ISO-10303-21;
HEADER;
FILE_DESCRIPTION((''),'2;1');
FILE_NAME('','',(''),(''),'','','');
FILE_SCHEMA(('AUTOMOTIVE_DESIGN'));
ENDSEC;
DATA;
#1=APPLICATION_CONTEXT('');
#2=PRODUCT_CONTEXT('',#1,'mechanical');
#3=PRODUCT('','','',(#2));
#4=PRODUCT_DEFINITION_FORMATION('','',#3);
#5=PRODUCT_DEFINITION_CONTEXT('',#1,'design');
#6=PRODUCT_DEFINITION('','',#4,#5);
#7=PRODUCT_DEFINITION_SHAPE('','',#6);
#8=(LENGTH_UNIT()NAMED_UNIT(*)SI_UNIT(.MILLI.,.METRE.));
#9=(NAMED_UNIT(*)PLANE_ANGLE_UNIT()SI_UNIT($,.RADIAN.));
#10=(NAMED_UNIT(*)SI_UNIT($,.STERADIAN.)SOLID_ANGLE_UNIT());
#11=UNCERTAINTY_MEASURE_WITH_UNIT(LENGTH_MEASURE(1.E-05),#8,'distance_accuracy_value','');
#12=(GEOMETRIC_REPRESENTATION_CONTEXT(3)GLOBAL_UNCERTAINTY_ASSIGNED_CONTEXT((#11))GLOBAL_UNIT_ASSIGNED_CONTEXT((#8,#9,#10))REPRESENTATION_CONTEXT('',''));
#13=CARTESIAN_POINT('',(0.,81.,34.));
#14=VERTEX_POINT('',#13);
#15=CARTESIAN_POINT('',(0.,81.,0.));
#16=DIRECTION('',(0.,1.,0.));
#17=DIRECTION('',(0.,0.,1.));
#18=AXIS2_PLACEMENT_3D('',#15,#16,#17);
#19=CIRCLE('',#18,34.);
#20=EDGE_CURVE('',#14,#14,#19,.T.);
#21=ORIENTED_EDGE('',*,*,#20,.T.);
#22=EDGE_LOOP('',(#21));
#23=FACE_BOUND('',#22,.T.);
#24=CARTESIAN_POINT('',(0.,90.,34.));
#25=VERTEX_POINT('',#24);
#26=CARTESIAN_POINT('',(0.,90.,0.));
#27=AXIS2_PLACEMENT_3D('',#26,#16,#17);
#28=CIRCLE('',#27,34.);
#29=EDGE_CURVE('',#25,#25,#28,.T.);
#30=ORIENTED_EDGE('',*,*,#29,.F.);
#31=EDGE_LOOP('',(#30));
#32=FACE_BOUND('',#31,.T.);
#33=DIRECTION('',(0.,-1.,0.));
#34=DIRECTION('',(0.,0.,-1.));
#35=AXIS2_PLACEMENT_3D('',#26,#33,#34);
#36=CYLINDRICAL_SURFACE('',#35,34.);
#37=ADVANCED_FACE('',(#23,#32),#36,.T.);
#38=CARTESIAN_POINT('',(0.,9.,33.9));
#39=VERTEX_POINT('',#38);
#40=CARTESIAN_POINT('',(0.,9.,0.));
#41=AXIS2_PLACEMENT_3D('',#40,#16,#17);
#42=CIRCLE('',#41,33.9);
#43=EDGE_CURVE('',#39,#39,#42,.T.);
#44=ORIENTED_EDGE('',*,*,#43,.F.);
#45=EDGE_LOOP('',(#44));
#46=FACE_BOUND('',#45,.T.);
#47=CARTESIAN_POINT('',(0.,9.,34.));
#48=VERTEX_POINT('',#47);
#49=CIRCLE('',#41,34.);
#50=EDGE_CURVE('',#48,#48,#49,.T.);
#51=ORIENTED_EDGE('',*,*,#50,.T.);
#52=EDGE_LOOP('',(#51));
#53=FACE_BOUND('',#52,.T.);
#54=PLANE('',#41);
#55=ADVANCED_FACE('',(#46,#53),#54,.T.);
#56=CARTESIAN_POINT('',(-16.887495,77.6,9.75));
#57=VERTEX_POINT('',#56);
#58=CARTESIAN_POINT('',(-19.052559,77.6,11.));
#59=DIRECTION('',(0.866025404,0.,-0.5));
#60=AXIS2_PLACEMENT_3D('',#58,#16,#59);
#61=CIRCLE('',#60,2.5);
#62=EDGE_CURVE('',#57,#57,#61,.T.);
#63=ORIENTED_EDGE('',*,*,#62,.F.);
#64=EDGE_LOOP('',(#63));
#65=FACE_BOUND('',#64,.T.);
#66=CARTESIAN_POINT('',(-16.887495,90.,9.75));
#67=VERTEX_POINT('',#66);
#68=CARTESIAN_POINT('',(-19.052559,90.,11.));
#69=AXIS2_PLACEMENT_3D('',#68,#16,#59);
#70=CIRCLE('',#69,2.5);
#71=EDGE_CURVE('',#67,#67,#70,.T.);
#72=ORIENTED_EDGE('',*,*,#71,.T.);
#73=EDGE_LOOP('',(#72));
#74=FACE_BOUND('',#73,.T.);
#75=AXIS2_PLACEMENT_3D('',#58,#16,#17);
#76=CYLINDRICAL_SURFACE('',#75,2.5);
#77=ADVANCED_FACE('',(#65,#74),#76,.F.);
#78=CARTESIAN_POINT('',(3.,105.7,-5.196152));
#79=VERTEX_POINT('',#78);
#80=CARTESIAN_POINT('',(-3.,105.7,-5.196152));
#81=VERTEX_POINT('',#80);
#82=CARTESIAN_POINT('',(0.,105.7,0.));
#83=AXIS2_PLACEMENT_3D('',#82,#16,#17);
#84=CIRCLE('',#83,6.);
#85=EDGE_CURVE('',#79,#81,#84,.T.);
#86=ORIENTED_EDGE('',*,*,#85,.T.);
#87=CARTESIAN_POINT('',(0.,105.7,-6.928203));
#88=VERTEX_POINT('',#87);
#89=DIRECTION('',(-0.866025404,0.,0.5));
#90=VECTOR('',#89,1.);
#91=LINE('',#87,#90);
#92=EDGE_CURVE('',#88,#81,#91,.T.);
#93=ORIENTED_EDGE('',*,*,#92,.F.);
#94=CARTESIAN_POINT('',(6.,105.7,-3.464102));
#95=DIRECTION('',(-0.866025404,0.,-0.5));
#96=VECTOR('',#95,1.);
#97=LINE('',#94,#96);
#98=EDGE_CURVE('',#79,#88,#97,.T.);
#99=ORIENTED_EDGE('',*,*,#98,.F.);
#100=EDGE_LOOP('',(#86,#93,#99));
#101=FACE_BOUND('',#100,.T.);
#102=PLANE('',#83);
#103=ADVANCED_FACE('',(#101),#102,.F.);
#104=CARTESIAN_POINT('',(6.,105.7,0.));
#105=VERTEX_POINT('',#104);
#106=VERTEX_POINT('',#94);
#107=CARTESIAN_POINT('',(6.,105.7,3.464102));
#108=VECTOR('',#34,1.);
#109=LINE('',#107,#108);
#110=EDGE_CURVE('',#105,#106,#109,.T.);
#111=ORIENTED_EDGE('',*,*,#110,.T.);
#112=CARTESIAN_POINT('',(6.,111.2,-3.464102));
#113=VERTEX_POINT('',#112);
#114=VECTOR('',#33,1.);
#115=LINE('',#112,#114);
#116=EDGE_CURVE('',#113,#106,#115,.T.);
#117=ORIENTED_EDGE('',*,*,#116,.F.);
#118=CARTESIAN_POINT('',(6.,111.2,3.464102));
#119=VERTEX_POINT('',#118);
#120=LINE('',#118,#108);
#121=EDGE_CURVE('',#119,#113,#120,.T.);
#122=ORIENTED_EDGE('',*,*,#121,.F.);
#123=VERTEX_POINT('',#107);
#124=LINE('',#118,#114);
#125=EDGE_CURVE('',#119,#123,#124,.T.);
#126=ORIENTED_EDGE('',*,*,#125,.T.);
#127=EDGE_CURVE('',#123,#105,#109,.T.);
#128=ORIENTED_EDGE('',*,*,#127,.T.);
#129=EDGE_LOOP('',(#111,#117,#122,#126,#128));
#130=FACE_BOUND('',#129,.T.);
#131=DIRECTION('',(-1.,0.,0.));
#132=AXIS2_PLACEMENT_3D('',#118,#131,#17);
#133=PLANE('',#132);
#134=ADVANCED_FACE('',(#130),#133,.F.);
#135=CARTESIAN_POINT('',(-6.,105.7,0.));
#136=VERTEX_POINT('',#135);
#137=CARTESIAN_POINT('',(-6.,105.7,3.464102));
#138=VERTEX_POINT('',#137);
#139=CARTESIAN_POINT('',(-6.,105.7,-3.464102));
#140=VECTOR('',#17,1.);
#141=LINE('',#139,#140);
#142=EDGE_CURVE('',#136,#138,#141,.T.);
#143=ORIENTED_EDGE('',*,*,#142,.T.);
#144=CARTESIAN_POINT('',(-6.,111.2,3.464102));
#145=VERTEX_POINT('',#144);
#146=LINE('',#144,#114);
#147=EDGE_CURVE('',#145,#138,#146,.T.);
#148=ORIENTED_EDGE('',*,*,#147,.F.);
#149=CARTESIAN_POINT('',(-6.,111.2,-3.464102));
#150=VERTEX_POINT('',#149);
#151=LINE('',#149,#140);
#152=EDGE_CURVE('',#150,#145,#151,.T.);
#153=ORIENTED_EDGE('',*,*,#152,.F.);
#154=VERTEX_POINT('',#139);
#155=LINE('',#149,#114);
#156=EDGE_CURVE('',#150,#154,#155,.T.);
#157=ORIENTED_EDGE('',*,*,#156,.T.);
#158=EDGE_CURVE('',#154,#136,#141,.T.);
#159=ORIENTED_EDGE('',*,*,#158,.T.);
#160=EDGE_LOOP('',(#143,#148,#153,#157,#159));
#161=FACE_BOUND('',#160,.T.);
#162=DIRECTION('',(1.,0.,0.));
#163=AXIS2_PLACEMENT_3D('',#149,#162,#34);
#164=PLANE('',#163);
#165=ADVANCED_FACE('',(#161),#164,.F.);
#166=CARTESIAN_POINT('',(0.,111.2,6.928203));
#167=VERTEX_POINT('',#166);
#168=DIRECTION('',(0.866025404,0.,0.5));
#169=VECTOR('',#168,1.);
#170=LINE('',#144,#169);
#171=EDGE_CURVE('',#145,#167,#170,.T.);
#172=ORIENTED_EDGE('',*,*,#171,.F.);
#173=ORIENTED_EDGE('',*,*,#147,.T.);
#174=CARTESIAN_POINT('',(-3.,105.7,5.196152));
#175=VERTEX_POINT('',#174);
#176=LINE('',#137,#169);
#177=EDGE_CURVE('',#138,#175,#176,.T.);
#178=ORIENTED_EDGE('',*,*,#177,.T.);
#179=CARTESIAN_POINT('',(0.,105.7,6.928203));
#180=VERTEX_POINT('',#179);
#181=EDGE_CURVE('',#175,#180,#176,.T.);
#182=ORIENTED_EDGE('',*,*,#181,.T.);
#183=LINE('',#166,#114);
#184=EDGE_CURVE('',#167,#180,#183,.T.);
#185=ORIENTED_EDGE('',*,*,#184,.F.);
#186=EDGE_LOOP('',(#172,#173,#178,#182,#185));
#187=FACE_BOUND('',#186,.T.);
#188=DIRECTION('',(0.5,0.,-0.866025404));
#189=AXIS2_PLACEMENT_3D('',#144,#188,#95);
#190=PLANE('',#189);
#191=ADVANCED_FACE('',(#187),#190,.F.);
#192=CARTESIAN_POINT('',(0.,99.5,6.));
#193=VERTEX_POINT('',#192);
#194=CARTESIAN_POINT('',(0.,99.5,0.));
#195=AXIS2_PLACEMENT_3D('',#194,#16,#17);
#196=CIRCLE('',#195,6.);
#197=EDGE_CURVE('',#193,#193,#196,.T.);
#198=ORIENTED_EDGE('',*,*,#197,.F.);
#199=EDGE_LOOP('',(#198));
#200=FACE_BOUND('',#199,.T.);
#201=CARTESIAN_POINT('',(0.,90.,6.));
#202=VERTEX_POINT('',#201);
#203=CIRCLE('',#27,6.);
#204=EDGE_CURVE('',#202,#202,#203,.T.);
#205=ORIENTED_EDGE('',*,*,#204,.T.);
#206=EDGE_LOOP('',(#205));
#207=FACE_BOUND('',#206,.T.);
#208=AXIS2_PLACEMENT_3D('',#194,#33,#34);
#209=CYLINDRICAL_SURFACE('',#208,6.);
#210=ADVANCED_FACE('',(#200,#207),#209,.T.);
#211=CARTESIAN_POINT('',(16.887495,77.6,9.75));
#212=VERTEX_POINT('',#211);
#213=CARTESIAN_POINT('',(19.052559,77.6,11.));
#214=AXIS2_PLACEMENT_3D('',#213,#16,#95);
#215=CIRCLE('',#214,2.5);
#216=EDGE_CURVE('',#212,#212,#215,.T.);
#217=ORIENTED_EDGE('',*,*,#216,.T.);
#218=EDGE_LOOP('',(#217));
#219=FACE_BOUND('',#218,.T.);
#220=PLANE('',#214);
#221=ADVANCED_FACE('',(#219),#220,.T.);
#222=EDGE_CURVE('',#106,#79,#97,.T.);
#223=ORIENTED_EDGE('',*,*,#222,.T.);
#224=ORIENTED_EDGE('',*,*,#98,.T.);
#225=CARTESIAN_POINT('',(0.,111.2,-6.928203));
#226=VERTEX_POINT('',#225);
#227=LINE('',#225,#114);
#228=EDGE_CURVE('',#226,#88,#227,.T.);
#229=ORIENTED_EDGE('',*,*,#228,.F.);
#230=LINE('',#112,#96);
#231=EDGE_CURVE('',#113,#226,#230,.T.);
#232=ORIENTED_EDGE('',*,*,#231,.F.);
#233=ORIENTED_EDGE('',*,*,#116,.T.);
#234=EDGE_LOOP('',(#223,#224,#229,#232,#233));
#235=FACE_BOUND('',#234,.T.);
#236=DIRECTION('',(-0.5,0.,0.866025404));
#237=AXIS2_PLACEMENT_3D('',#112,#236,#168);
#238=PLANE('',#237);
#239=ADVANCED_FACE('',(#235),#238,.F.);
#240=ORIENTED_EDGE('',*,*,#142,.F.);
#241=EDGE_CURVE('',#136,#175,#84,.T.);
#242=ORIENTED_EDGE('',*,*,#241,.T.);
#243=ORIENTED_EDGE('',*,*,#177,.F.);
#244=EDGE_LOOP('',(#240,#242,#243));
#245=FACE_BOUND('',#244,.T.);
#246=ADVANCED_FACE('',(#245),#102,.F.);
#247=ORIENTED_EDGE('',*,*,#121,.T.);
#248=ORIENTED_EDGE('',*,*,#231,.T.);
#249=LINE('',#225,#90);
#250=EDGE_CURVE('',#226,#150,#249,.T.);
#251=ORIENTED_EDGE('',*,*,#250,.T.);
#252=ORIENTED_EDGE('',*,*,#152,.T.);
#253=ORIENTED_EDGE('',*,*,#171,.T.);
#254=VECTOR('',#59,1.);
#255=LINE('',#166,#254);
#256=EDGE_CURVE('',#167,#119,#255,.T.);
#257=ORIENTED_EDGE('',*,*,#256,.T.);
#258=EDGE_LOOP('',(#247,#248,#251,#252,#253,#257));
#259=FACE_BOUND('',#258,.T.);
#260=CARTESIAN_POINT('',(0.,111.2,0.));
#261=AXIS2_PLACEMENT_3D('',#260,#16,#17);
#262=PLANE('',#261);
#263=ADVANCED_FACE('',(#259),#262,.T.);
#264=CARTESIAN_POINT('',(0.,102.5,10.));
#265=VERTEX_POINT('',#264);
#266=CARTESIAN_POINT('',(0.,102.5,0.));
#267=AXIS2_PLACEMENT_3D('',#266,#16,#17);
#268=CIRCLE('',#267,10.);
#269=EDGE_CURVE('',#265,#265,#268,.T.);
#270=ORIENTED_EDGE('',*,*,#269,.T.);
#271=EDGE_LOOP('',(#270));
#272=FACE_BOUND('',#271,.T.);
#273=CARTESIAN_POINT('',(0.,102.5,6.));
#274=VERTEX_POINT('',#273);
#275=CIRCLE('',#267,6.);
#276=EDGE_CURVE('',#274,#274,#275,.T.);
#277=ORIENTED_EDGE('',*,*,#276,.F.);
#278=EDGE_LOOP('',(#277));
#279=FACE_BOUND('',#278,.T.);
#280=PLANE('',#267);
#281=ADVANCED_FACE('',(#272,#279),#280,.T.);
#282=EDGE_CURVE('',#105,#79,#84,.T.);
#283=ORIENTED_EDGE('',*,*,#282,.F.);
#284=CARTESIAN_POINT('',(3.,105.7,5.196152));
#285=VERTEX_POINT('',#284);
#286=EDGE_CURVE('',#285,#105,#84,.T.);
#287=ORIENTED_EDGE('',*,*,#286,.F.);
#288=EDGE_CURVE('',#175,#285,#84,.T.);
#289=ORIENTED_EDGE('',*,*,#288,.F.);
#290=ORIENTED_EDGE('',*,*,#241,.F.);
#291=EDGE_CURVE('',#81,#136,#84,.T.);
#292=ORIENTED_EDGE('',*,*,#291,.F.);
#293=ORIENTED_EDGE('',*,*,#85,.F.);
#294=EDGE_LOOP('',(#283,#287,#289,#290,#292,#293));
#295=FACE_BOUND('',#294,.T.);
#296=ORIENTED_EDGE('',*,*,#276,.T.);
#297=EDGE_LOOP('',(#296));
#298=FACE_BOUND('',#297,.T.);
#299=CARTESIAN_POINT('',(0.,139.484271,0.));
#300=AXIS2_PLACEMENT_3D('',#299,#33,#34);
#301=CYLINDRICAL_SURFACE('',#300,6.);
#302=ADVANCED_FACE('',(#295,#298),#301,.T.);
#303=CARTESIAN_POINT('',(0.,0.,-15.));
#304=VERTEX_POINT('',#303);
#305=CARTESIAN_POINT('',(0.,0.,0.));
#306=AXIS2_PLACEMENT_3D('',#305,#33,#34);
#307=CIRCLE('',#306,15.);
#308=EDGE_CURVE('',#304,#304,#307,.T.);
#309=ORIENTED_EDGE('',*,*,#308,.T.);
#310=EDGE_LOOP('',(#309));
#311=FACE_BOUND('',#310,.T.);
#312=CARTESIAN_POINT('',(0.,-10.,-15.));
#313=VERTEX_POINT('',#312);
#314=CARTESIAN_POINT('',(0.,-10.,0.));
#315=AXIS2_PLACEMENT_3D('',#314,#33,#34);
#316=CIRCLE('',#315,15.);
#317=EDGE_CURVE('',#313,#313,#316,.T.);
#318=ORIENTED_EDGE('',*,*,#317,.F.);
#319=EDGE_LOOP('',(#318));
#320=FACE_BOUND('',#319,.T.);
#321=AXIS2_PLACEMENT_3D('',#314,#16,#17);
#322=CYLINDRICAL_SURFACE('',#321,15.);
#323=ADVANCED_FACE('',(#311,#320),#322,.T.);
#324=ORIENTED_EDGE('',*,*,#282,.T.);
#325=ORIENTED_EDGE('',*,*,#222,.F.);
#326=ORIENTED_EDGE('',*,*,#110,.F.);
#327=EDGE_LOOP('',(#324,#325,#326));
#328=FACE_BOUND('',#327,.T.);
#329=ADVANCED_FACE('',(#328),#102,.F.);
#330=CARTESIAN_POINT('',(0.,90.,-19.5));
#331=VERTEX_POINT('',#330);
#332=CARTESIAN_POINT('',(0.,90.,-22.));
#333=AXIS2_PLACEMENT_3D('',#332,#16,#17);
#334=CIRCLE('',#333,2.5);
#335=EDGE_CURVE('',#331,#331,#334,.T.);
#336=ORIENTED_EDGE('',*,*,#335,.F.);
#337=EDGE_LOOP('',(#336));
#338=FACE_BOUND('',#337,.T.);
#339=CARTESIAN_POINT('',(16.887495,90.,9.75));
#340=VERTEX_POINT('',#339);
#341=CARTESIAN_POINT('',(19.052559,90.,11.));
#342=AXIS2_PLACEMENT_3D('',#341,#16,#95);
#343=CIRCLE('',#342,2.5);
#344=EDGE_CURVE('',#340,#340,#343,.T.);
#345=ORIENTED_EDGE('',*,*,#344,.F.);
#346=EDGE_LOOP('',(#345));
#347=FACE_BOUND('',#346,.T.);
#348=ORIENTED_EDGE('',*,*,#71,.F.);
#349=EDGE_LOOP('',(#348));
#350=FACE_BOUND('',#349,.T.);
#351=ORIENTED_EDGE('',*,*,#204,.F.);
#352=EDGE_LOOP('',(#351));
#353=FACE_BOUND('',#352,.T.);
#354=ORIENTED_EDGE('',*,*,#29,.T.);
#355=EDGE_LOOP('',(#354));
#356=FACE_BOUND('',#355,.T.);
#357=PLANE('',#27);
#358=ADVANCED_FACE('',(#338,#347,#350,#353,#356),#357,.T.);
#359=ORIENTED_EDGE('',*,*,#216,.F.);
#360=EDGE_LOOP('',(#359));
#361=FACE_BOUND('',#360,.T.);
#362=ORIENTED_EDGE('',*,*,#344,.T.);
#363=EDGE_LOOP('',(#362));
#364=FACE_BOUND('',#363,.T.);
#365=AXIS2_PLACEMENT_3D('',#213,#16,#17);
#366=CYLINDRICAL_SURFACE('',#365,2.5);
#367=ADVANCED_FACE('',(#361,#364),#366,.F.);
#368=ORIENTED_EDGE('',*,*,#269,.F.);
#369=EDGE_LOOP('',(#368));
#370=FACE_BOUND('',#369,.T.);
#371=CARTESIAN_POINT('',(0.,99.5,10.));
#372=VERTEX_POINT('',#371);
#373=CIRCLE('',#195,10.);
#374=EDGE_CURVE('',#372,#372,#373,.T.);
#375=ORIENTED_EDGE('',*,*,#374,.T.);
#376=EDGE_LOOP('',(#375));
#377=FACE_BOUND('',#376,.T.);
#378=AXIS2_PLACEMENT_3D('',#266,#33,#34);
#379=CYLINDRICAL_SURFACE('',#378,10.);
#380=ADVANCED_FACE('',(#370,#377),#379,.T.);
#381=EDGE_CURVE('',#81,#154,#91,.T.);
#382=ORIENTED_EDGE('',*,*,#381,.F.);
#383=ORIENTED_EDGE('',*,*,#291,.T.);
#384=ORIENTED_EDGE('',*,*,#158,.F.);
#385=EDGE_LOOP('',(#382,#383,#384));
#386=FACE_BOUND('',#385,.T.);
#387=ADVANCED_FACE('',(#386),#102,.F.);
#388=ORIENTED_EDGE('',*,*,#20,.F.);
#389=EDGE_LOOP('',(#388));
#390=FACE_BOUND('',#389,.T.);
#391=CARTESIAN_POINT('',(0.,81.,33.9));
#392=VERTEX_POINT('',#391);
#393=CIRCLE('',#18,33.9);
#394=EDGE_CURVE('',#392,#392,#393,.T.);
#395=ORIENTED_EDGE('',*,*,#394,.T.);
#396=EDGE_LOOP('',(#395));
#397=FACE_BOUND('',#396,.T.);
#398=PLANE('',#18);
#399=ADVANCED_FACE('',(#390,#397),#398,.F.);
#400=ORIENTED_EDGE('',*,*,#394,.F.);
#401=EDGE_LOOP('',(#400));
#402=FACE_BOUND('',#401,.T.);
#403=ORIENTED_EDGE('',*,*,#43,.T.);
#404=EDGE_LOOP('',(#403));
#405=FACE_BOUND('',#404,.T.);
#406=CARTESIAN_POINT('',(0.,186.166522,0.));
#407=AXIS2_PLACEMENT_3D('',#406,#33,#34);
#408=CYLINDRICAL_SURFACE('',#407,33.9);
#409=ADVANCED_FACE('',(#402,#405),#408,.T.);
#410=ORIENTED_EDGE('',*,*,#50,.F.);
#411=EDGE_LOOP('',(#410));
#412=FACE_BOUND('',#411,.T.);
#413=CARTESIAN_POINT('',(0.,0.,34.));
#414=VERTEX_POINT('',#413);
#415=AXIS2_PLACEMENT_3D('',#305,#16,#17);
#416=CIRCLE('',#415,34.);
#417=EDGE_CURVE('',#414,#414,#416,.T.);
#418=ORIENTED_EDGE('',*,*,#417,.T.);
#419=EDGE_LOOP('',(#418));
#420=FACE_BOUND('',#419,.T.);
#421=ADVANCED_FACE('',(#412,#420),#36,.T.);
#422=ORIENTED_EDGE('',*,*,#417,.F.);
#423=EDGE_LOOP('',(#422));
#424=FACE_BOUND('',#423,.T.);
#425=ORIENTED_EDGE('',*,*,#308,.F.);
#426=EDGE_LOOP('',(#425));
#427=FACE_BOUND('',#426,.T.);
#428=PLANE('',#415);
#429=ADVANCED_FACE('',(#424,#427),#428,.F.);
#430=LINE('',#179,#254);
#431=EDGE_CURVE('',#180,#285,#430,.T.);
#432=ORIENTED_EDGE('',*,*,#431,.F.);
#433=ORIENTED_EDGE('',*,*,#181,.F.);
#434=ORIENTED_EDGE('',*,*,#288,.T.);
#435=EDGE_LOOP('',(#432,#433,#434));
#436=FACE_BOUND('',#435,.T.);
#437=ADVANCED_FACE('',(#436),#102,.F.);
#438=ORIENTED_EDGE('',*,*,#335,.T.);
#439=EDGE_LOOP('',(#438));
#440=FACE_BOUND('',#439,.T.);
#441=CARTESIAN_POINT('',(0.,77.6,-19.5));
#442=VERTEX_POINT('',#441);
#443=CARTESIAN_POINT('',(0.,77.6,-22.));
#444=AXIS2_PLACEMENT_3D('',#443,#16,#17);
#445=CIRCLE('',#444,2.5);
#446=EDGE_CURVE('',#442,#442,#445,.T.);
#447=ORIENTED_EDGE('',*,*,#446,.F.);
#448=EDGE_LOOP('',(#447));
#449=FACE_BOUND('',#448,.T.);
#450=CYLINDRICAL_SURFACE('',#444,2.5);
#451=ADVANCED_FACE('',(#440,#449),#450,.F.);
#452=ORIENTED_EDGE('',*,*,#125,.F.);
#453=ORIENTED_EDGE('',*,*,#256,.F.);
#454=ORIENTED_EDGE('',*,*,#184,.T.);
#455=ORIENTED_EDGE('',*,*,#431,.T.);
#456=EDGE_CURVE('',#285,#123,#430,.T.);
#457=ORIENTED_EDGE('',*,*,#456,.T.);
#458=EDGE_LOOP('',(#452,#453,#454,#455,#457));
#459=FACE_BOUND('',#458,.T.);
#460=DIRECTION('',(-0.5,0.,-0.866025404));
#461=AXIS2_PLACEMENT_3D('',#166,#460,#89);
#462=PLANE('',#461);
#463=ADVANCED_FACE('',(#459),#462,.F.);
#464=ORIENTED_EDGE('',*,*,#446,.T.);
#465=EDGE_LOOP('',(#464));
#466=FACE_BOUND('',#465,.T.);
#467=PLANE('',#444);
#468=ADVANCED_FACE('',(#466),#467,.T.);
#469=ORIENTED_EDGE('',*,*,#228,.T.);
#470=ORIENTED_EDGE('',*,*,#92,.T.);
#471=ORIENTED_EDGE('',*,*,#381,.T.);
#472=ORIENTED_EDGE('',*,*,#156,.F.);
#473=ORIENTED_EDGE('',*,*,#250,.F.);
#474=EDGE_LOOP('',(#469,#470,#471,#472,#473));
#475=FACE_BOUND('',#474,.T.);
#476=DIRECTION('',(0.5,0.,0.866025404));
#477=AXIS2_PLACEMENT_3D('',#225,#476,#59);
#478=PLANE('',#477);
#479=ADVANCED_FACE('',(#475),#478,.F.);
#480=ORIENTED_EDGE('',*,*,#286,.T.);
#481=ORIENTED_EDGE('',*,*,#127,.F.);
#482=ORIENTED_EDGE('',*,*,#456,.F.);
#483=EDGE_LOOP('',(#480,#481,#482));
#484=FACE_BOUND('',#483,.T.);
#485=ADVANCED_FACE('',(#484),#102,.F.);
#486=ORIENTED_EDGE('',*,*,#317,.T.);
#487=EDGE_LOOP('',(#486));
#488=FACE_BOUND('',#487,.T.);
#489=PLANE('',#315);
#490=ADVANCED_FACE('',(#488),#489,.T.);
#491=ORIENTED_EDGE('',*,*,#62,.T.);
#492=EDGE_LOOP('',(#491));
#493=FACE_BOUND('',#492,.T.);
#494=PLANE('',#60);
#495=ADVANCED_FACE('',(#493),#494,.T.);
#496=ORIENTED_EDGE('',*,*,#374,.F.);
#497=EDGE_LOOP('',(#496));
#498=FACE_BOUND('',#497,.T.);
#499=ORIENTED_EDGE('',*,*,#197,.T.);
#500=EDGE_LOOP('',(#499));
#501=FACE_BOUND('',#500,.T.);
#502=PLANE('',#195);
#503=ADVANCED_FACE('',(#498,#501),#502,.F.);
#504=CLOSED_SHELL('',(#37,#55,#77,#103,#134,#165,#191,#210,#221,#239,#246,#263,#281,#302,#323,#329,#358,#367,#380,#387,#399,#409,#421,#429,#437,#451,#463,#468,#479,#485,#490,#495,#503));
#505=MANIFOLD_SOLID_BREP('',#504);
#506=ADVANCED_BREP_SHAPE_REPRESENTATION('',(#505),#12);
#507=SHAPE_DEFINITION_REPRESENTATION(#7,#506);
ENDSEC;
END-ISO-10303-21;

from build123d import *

# Parameters (mm, degrees)
SKETCH1_R                  = 34
MAINHOUSING_DEPTH          = 90
SKETCH2_R                  = 15
REARPART_DEPTH             = 10
SKETCH3_R                  = 6
SHAFT_DEPTH                = 9.5
SKETCH4_R                  = 10
GEAR_DEPTH                 = 3
HEXBOLT_DEPTH              = 8.7
SKETCH6_R                  = 10
SKETCH6_R_2                = 6
HEXBOLTCUTOUT_DEPTH        = 3.2
TOP_BOTTOMSEPERATION_START = 9
SKETCH7_R                  = 34
SKETCH7_R_2                = 33.9
TOP_BOTTOMSEPERATION_DEPTH = 72
SKETCH8_R                  = 2.5
SCREWHOLE_DEPTH            = 12.4
SCREWHOLEPATTERN_COUNT     = 3


with BuildPart() as part:
    # Sketch1 → MainHousing (new body)
    with BuildSketch(Plane(origin=(0, 0, 0), x_dir=(1, 0, 0), z_dir=(0, 1, 0))):
        Circle(SKETCH1_R)
    extrude(amount=MAINHOUSING_DEPTH)

    # Sketch2 → RearPart (add)
    with BuildSketch(Plane.XZ):
        Circle(SKETCH2_R)
    extrude(amount=REARPART_DEPTH)

    # Sketch3 → Shaft (add)
    with BuildSketch(Plane(origin=(0, 90, 0), x_dir=(1, 0, 0), z_dir=(0, 1, 0))):
        Circle(SKETCH3_R)
    extrude(amount=SHAFT_DEPTH)

    # Sketch4 → Gear (add)
    with BuildSketch(Plane(origin=(0, 99.5, 0), x_dir=(1, 0, 0), z_dir=(0, 1, 0))):
        Circle(SKETCH4_R)
    extrude(amount=GEAR_DEPTH)

    # Sketch5 → HexBolt (add)
    with BuildSketch(Plane(origin=(0, 102.5, 0), x_dir=(1, 0, 0), z_dir=(0, 1, 0))):
        Polygon((0, 6.92820323), (-6, 3.464101615), (-6, -3.464101615), (0, -6.92820323), (6, -3.464101615), (6, 3.464101615), align=None)
    extrude(amount=HEXBOLT_DEPTH)

    # Sketch6 → HexBoltCutout (cut)
    with BuildSketch(Plane(origin=(0, 102.5, 0), x_dir=(1, 0, 0), z_dir=(0, 1, 0))):
        Circle(SKETCH6_R)
        Circle(SKETCH6_R_2, mode=Mode.SUBTRACT)
    extrude(amount=HEXBOLTCUTOUT_DEPTH, mode=Mode.SUBTRACT)

    # Sketch7 → Top/BottomSeperation (cut)
    with BuildSketch(Plane(origin=(0, 0, 0), x_dir=(1, 0, 0), z_dir=(0, 1, 0)).offset(TOP_BOTTOMSEPERATION_START)):
        Circle(SKETCH7_R)
        Circle(SKETCH7_R_2, mode=Mode.SUBTRACT)
    extrude(amount=TOP_BOTTOMSEPERATION_DEPTH, mode=Mode.SUBTRACT)

    # Sketch8 → ScrewHole (cut)
    with BuildSketch(Plane(origin=(0, 90, 0), x_dir=(1, 0, 0), z_dir=(0, 1, 0))):
        with Locations((0, 22)):
            Circle(SKETCH8_R)
    screwhole = extrude(amount=-SCREWHOLE_DEPTH, mode=Mode.SUBTRACT)

    # ScrewHolePattern: ScrewHole ×3 about axis
    screwholepattern_axis = Axis((0, 0, 0), (0, 1, 0))
    for i in range(1, SCREWHOLEPATTERN_COUNT):
        add(screwhole.rotate(screwholepattern_axis, i * 360 / SCREWHOLEPATTERN_COUNT), mode=Mode.SUBTRACT)


solid = part.part
